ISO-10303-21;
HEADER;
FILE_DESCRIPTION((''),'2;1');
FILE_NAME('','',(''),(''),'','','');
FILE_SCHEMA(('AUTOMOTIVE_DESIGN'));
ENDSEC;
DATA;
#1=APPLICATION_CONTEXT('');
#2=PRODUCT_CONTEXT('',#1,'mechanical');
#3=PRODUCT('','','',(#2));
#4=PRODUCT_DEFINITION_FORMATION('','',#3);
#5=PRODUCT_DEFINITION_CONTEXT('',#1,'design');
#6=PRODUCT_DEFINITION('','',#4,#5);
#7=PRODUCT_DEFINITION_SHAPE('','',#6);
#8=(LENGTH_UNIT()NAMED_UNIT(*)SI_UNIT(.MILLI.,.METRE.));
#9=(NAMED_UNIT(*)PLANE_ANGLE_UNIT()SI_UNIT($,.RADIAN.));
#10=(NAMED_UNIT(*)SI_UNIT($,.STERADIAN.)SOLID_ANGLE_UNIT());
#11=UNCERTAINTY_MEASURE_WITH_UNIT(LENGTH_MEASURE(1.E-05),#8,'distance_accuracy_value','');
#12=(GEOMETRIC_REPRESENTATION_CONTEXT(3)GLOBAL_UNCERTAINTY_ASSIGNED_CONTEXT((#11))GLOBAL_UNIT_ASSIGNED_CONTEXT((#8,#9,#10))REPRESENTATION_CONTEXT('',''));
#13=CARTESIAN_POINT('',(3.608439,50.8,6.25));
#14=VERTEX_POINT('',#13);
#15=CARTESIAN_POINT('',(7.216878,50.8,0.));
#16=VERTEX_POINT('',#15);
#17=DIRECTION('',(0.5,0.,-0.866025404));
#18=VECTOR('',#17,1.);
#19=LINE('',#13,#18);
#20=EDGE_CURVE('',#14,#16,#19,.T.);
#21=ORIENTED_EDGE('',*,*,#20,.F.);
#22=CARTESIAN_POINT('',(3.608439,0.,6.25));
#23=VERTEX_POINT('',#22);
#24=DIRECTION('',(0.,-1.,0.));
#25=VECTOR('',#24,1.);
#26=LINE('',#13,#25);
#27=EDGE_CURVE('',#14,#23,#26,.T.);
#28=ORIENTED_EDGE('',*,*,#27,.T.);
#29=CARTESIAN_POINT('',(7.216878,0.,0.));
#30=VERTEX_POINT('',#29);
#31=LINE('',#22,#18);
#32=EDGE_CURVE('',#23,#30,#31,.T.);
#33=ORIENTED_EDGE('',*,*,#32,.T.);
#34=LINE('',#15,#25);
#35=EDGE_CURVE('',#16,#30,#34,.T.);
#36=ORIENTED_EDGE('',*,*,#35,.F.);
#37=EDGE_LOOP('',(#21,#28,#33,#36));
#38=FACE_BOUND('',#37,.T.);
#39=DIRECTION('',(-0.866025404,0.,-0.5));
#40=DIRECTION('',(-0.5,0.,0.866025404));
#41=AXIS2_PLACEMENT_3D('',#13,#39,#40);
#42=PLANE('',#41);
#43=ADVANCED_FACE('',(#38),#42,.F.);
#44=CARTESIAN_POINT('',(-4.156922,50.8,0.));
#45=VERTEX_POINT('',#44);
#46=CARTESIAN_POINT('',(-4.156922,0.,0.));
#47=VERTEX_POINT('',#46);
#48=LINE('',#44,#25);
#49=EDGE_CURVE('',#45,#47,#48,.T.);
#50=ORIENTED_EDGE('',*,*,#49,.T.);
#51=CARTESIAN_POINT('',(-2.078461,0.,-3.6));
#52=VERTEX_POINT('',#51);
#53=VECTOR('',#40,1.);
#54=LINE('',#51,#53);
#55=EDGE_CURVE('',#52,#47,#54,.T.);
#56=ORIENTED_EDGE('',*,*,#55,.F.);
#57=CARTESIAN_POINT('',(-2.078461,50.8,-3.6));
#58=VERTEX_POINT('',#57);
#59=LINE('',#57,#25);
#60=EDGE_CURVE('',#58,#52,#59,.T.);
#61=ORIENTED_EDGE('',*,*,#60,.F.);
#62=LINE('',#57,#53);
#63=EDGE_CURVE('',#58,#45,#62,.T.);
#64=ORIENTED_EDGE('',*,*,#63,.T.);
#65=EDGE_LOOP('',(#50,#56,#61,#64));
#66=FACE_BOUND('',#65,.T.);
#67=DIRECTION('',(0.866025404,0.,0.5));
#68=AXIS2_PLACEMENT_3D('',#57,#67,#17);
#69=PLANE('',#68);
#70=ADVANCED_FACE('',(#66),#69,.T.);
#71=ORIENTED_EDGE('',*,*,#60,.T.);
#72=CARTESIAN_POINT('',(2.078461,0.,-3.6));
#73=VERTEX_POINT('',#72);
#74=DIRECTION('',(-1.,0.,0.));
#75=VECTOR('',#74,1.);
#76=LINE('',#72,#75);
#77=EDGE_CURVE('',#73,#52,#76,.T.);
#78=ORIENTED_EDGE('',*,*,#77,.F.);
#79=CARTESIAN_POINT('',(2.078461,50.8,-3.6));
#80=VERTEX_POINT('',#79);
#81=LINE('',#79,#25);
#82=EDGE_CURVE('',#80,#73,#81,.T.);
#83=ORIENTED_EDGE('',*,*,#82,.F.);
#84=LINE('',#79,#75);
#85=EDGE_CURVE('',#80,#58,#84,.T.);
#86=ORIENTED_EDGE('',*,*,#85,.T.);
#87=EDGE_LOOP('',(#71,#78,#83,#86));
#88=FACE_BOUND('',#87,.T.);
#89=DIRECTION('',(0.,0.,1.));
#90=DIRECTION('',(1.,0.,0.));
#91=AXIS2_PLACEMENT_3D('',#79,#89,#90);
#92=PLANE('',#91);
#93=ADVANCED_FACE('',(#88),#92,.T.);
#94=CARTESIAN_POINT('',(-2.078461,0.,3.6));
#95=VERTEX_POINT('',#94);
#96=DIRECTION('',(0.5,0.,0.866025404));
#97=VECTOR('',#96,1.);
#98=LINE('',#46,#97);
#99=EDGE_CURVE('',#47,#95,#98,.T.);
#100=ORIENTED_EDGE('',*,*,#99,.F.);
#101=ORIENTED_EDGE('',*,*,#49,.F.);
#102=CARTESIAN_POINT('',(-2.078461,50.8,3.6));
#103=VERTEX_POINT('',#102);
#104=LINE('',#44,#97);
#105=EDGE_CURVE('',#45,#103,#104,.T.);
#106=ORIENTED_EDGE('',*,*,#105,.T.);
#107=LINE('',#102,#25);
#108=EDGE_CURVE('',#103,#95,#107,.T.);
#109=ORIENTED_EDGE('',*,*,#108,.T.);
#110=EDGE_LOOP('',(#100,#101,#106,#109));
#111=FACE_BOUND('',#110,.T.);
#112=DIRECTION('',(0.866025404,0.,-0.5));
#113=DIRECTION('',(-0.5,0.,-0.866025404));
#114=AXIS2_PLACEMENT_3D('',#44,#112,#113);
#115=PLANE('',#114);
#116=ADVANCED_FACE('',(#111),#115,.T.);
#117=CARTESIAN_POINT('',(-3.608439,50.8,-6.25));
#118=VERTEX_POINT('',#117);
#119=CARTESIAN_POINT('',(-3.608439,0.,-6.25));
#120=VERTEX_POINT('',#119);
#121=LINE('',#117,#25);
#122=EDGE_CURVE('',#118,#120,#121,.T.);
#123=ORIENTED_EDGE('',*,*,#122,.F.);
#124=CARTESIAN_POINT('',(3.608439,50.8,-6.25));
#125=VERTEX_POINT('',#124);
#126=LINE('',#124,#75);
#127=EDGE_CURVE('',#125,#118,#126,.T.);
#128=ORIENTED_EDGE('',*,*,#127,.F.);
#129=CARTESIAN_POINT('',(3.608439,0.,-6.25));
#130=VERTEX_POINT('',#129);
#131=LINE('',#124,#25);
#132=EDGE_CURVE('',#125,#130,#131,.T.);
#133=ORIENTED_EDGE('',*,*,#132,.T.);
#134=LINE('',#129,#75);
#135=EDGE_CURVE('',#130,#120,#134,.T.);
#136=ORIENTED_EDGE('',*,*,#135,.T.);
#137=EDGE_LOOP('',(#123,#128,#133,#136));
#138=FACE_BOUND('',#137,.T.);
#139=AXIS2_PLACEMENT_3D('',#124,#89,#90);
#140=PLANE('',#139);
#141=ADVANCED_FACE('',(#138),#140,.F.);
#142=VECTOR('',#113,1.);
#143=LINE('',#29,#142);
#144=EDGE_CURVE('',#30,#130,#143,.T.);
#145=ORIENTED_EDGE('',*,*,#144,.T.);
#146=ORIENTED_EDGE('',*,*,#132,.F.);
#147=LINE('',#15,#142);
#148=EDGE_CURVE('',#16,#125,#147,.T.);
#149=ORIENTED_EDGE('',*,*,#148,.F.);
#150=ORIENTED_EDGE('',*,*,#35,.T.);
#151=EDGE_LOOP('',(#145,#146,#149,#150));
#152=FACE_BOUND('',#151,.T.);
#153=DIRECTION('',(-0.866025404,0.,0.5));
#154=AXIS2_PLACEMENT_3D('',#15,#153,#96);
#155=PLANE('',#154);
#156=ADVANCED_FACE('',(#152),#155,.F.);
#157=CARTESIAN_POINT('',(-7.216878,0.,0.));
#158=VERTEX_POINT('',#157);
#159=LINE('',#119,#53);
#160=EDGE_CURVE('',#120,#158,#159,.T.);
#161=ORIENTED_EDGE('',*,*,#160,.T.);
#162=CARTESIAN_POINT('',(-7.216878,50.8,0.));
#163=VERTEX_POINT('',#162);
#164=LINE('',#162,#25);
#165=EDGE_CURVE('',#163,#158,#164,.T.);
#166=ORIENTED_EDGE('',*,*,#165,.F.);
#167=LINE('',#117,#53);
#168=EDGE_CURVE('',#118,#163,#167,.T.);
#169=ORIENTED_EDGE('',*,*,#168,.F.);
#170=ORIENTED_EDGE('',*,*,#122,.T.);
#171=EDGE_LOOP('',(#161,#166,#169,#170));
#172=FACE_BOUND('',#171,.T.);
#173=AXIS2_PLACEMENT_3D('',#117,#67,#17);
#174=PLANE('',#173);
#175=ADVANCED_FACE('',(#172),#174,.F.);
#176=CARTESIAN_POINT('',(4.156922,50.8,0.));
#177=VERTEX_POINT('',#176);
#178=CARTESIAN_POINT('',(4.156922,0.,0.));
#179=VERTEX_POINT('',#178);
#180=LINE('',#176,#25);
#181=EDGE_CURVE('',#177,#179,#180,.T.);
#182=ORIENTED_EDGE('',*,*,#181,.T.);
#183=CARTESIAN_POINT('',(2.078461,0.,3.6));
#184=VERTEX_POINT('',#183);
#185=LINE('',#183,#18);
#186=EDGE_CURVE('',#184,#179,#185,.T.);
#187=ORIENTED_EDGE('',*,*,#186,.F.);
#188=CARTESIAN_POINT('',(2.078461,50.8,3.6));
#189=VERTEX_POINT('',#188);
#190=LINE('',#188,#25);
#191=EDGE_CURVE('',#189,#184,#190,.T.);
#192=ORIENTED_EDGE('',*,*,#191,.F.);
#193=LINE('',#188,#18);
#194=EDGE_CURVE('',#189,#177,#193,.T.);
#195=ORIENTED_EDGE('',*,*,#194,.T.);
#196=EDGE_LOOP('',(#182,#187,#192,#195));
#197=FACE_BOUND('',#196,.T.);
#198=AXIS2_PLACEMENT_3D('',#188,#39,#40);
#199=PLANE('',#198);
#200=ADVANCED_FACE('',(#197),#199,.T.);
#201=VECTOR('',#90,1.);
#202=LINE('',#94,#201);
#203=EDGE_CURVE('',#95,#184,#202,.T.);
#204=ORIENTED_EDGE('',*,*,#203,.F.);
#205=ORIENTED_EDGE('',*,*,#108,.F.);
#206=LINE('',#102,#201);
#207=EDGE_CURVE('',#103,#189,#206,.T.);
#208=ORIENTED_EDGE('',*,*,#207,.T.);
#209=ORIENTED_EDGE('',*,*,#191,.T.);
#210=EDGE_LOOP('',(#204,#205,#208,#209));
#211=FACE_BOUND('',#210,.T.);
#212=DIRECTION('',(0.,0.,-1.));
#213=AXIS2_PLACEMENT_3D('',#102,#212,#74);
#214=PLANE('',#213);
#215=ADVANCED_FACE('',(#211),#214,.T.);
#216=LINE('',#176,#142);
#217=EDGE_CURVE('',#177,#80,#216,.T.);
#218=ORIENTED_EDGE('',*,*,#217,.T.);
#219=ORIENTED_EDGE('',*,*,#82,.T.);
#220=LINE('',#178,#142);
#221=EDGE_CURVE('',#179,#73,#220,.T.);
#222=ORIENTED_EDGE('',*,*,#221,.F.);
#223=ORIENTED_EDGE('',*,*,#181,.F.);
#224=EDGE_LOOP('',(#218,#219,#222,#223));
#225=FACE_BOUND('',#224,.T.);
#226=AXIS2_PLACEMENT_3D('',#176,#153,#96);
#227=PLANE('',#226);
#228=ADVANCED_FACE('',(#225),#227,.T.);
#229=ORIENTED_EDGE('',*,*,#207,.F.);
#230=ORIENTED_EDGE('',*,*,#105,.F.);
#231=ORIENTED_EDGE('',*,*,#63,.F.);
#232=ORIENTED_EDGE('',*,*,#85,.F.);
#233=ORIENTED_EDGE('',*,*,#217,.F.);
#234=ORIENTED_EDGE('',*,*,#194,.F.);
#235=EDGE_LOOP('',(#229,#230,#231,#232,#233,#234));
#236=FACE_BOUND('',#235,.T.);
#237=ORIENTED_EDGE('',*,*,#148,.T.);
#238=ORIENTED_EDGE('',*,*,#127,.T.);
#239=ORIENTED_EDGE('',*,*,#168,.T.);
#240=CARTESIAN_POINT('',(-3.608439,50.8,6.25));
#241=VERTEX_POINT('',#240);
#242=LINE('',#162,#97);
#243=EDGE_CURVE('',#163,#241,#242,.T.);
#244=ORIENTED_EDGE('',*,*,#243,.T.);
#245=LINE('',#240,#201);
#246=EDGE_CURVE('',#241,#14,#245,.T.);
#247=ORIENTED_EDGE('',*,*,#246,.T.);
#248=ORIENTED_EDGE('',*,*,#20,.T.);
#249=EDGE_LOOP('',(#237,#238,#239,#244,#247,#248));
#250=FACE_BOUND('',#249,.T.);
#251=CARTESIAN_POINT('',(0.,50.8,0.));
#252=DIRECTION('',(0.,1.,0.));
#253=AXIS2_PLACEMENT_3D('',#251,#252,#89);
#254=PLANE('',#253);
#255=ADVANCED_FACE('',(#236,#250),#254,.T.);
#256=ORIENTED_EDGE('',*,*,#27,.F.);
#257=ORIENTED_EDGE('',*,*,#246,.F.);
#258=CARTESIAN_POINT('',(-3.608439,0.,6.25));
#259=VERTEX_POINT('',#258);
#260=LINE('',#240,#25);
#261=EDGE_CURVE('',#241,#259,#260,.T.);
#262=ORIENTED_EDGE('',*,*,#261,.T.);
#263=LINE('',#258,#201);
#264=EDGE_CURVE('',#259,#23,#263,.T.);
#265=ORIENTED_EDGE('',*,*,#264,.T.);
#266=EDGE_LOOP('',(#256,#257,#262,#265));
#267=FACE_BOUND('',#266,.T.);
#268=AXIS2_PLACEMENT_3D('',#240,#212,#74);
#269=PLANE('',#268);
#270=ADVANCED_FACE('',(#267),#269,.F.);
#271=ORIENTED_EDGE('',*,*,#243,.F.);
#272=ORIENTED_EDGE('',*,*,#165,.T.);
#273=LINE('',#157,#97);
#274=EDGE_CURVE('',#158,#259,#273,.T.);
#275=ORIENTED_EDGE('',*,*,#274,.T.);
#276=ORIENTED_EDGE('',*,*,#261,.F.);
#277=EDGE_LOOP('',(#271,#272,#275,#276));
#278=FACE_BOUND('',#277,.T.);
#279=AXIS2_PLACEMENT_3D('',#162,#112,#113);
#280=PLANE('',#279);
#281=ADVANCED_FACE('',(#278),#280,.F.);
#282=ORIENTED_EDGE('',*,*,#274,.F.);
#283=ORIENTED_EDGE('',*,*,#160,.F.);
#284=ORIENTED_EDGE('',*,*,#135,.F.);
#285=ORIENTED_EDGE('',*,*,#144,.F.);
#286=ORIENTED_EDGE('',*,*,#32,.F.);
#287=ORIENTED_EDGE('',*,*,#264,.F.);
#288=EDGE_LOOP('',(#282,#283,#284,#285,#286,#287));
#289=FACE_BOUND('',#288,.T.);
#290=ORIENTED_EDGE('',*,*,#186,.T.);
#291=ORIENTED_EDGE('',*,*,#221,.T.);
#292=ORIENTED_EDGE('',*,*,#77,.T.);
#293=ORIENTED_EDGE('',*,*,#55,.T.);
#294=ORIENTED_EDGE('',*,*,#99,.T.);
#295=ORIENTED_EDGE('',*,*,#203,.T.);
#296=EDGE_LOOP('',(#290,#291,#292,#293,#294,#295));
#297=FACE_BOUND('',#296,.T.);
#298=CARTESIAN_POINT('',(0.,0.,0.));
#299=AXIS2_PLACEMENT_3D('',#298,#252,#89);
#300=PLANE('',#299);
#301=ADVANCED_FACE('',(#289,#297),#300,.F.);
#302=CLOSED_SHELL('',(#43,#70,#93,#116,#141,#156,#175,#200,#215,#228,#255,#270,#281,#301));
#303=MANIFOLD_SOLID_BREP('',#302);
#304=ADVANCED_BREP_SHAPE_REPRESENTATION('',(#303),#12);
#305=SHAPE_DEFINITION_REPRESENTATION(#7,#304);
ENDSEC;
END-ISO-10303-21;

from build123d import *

# Parameters (mm, degrees)
BOSS_EXTRUDE1_DEPTH = 50.8


with BuildPart() as part:
    # Sketch1 → Boss-Extrude1 (new body)
    with BuildSketch(Plane(origin=(0, 0, 0), x_dir=(1, 0, 0), z_dir=(0, 1, 0))):
        Polygon((3.608439182, 6.25), (-3.608439182, 6.25), (-7.216878365, 0), (-3.608439182, -6.25), (3.608439182, -6.25), (7.216878365, 0), align=None)
        Polygon((2.078460969, 3.6), (-2.078460969, 3.6), (-4.156921938, 0), (-2.078460969, -3.6), (2.078460969, -3.6), (4.156921938, 0), align=None, mode=Mode.SUBTRACT)
    extrude(amount=BOSS_EXTRUDE1_DEPTH)


solid = part.part
